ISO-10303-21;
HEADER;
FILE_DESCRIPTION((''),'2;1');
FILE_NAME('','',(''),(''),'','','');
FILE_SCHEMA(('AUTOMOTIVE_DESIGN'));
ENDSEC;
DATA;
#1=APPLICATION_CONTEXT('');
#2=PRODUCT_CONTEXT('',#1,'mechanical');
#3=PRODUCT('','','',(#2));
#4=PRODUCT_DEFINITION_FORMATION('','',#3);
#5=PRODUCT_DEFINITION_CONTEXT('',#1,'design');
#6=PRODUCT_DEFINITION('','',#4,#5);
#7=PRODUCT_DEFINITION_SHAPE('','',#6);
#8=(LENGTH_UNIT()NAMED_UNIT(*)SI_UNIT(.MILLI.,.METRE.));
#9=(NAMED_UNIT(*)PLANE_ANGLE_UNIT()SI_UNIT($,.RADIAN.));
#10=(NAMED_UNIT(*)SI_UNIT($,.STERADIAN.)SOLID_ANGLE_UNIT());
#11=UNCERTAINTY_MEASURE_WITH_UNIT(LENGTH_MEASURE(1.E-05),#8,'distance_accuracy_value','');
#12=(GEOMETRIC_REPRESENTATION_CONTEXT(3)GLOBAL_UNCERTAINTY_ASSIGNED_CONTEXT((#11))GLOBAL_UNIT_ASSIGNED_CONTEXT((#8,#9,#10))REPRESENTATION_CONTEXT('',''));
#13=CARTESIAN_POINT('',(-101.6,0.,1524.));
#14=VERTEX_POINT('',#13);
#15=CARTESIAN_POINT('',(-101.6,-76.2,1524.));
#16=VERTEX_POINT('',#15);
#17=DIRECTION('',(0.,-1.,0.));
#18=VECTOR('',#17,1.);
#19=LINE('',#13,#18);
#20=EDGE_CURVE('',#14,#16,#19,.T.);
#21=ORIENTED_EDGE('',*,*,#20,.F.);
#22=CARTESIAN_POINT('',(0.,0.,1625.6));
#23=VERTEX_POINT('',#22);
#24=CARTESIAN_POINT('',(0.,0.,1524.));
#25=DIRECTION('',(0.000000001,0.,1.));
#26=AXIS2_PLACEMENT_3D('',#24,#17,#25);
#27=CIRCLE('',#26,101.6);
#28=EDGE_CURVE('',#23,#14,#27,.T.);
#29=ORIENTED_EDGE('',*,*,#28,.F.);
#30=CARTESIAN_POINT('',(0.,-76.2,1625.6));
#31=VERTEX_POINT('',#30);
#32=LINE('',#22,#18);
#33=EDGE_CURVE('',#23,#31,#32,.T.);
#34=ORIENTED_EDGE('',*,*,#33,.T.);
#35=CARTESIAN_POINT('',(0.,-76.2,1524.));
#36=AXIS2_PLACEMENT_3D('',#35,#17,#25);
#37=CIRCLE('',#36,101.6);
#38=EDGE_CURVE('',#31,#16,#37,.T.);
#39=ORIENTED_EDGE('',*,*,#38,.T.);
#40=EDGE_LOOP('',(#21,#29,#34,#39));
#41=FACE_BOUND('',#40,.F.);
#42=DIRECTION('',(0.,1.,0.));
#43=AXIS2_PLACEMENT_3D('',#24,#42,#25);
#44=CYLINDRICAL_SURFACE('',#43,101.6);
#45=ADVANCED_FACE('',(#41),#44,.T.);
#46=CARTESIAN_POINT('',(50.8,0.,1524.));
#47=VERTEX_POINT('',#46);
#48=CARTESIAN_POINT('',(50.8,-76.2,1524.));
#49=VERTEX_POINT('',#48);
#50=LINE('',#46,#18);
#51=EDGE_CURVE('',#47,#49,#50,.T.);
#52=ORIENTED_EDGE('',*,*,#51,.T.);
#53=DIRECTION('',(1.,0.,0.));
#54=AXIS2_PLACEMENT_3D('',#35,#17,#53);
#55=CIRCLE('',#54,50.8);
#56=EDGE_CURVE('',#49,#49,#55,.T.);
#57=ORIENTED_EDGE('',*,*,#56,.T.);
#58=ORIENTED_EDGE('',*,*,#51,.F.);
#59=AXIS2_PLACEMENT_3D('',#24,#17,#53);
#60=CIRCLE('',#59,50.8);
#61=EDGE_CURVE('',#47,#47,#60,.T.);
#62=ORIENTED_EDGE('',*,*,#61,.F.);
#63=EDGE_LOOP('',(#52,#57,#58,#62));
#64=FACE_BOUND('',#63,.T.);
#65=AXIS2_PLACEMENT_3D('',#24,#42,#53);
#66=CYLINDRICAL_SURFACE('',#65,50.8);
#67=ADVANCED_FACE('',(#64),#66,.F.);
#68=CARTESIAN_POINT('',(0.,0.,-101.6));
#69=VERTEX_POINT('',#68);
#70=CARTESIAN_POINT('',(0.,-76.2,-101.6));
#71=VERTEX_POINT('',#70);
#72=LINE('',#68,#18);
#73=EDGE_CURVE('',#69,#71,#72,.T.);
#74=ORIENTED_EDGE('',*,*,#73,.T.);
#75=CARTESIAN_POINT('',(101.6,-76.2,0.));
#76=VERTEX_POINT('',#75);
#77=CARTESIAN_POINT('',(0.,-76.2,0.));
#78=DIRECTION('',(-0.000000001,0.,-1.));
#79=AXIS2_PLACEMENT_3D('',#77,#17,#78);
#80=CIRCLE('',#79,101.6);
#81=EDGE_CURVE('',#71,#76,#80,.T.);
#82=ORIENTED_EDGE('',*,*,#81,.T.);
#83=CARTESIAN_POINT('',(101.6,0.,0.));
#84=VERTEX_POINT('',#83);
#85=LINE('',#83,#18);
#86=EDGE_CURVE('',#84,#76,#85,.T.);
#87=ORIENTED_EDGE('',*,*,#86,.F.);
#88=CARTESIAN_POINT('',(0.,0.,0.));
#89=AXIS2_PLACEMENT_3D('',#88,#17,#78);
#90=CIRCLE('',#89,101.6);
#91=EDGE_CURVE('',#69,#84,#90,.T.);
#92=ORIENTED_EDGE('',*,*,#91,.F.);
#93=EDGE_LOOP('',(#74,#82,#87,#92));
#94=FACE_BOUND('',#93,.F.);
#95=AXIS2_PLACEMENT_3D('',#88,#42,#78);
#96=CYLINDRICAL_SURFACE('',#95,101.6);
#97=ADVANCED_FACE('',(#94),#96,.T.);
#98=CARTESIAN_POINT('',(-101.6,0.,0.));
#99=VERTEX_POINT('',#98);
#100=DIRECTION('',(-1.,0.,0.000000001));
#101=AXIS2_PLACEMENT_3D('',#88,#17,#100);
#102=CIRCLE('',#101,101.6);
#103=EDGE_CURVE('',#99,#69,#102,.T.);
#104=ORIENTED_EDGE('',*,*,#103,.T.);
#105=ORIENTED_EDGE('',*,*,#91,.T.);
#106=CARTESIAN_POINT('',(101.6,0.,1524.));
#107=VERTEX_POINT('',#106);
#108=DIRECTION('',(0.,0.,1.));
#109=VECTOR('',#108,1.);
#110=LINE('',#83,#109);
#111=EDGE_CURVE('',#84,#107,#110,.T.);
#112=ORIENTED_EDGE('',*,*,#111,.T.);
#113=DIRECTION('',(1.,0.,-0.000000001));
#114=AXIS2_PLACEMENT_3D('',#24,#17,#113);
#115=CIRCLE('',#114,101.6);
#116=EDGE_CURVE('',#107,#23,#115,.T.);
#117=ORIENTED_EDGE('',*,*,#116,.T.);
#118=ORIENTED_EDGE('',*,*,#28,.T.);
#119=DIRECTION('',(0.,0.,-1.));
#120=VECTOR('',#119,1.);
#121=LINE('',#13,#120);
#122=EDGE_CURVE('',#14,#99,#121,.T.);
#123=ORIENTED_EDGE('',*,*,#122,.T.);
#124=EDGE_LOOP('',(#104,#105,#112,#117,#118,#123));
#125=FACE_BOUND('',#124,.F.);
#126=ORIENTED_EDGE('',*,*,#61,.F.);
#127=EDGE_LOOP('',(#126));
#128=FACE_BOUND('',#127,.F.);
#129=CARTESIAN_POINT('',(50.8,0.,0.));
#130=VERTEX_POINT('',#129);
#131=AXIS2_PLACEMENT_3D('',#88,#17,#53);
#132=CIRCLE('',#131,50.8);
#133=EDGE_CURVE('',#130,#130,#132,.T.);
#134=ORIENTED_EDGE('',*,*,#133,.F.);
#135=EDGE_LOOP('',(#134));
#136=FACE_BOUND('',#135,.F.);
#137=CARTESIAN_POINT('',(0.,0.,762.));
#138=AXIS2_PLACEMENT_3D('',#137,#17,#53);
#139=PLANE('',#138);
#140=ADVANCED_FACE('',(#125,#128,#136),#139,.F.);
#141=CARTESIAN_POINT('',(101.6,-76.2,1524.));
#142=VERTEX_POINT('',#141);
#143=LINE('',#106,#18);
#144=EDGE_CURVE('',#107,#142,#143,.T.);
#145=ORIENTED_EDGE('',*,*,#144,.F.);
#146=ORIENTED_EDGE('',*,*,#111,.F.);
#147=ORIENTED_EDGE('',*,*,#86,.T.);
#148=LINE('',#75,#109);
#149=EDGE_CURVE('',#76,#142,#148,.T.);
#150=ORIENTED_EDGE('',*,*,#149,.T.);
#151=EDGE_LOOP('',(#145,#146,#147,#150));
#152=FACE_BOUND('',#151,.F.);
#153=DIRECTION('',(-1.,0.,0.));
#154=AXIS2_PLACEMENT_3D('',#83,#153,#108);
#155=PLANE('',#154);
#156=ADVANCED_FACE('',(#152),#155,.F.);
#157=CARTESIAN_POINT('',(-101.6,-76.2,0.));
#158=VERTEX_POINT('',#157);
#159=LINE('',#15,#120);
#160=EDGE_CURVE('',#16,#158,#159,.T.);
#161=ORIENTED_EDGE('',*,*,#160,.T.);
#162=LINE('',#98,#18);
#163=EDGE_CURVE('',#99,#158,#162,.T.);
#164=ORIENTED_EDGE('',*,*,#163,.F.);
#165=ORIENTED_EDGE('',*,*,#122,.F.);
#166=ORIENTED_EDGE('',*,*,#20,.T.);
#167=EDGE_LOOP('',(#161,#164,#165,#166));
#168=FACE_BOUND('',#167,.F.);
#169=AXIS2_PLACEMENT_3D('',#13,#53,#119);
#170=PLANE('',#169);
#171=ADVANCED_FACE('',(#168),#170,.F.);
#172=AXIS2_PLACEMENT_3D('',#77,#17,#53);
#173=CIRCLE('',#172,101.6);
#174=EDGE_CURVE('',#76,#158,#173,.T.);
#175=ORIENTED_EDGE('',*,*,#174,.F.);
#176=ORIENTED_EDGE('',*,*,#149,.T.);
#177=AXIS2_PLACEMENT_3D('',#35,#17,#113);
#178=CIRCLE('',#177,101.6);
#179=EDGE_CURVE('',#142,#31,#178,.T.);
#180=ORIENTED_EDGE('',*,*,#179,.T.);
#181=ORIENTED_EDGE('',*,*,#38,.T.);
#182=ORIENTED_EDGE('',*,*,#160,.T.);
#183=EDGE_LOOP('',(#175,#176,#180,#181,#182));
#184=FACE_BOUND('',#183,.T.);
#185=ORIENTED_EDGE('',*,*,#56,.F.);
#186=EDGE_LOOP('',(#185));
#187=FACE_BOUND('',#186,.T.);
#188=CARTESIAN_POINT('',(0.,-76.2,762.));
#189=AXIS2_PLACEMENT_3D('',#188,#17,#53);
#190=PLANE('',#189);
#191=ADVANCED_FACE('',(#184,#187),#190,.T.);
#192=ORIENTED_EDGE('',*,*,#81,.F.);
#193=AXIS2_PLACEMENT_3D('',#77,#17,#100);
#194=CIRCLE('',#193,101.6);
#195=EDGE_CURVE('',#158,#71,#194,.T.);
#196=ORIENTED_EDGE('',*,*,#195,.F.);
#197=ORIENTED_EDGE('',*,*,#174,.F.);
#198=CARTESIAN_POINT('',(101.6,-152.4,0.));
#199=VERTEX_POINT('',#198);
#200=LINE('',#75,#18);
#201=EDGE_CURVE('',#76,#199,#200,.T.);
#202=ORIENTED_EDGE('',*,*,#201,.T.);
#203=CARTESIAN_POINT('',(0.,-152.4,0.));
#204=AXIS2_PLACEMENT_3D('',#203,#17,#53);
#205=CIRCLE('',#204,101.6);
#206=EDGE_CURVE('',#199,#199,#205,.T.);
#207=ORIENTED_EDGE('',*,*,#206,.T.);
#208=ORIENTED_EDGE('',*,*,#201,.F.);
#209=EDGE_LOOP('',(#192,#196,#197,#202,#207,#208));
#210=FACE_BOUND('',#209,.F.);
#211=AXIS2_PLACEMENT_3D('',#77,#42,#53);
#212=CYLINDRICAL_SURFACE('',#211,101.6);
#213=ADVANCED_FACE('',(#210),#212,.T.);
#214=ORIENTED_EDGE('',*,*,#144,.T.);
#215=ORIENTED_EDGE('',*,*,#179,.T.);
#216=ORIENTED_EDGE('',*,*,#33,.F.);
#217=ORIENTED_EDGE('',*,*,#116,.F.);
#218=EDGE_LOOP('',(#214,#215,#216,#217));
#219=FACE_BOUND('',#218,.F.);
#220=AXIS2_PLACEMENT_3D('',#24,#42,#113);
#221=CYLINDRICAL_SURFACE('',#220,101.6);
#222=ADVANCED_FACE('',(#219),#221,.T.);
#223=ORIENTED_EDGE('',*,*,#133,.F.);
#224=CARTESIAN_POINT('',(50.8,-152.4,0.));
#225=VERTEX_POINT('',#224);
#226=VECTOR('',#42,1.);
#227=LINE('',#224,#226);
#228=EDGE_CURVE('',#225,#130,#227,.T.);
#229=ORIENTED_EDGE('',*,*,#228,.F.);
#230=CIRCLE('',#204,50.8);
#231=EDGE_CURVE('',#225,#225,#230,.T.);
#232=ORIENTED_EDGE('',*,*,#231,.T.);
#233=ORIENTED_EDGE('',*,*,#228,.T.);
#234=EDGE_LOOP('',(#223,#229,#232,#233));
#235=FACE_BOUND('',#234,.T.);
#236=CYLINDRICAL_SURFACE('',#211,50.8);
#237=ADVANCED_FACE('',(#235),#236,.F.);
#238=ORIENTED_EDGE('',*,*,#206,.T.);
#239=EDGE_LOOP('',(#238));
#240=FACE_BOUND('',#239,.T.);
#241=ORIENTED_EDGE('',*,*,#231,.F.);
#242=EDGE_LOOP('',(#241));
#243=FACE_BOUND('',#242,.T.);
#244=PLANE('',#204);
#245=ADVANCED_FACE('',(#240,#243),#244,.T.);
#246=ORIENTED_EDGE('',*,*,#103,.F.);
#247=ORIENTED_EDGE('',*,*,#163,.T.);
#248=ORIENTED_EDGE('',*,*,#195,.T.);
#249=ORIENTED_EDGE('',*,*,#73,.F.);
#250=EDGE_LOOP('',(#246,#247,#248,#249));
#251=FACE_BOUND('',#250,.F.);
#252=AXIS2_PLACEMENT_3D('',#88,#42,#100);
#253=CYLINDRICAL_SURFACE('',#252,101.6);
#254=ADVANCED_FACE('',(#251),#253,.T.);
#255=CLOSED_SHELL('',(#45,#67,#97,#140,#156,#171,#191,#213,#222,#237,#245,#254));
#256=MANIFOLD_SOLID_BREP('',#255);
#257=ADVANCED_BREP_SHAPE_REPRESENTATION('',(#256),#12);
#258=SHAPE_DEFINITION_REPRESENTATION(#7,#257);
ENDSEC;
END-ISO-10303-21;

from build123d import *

# Parameters (mm, degrees)
F0_R     = 50.8
F1_DEPTH = 76.2
F2_R     = 101.6
F2_R_2   = 50.8
F3_DEPTH = 76.2


with BuildPart() as f1:
    # F0 (on Front) → F1 (new body)
    with BuildSketch(Plane.XZ):
        with BuildLine():
            Line((-101.6, 1524), (-101.6, 0))
            ThreePointArc((-101.6, 0), (-71.842049, -71.842049), (0, -101.6))
            ThreePointArc((0, -101.6), (71.842049, -71.842049), (101.6, 0))
            Line((101.6, 0), (101.6, 1524))
            ThreePointArc((101.6, 1524), (71.842049, 1595.842049), (0, 1625.6))
            ThreePointArc((0, 1625.6), (-71.842049, 1595.842049), (-101.6, 1524))
        make_face()
        Circle(F0_R, mode=Mode.SUBTRACT)
        with Locations((0, 1524)):
            Circle(F0_R, mode=Mode.SUBTRACT)
    extrude(amount=F1_DEPTH)

    # F2 (on face) → F3 (join)
    with BuildSketch(Plane.XZ.offset(76.2)):
        Circle(F2_R)
        Circle(F2_R_2, mode=Mode.SUBTRACT)
    extrude(amount=F3_DEPTH)


solid = f1.part
